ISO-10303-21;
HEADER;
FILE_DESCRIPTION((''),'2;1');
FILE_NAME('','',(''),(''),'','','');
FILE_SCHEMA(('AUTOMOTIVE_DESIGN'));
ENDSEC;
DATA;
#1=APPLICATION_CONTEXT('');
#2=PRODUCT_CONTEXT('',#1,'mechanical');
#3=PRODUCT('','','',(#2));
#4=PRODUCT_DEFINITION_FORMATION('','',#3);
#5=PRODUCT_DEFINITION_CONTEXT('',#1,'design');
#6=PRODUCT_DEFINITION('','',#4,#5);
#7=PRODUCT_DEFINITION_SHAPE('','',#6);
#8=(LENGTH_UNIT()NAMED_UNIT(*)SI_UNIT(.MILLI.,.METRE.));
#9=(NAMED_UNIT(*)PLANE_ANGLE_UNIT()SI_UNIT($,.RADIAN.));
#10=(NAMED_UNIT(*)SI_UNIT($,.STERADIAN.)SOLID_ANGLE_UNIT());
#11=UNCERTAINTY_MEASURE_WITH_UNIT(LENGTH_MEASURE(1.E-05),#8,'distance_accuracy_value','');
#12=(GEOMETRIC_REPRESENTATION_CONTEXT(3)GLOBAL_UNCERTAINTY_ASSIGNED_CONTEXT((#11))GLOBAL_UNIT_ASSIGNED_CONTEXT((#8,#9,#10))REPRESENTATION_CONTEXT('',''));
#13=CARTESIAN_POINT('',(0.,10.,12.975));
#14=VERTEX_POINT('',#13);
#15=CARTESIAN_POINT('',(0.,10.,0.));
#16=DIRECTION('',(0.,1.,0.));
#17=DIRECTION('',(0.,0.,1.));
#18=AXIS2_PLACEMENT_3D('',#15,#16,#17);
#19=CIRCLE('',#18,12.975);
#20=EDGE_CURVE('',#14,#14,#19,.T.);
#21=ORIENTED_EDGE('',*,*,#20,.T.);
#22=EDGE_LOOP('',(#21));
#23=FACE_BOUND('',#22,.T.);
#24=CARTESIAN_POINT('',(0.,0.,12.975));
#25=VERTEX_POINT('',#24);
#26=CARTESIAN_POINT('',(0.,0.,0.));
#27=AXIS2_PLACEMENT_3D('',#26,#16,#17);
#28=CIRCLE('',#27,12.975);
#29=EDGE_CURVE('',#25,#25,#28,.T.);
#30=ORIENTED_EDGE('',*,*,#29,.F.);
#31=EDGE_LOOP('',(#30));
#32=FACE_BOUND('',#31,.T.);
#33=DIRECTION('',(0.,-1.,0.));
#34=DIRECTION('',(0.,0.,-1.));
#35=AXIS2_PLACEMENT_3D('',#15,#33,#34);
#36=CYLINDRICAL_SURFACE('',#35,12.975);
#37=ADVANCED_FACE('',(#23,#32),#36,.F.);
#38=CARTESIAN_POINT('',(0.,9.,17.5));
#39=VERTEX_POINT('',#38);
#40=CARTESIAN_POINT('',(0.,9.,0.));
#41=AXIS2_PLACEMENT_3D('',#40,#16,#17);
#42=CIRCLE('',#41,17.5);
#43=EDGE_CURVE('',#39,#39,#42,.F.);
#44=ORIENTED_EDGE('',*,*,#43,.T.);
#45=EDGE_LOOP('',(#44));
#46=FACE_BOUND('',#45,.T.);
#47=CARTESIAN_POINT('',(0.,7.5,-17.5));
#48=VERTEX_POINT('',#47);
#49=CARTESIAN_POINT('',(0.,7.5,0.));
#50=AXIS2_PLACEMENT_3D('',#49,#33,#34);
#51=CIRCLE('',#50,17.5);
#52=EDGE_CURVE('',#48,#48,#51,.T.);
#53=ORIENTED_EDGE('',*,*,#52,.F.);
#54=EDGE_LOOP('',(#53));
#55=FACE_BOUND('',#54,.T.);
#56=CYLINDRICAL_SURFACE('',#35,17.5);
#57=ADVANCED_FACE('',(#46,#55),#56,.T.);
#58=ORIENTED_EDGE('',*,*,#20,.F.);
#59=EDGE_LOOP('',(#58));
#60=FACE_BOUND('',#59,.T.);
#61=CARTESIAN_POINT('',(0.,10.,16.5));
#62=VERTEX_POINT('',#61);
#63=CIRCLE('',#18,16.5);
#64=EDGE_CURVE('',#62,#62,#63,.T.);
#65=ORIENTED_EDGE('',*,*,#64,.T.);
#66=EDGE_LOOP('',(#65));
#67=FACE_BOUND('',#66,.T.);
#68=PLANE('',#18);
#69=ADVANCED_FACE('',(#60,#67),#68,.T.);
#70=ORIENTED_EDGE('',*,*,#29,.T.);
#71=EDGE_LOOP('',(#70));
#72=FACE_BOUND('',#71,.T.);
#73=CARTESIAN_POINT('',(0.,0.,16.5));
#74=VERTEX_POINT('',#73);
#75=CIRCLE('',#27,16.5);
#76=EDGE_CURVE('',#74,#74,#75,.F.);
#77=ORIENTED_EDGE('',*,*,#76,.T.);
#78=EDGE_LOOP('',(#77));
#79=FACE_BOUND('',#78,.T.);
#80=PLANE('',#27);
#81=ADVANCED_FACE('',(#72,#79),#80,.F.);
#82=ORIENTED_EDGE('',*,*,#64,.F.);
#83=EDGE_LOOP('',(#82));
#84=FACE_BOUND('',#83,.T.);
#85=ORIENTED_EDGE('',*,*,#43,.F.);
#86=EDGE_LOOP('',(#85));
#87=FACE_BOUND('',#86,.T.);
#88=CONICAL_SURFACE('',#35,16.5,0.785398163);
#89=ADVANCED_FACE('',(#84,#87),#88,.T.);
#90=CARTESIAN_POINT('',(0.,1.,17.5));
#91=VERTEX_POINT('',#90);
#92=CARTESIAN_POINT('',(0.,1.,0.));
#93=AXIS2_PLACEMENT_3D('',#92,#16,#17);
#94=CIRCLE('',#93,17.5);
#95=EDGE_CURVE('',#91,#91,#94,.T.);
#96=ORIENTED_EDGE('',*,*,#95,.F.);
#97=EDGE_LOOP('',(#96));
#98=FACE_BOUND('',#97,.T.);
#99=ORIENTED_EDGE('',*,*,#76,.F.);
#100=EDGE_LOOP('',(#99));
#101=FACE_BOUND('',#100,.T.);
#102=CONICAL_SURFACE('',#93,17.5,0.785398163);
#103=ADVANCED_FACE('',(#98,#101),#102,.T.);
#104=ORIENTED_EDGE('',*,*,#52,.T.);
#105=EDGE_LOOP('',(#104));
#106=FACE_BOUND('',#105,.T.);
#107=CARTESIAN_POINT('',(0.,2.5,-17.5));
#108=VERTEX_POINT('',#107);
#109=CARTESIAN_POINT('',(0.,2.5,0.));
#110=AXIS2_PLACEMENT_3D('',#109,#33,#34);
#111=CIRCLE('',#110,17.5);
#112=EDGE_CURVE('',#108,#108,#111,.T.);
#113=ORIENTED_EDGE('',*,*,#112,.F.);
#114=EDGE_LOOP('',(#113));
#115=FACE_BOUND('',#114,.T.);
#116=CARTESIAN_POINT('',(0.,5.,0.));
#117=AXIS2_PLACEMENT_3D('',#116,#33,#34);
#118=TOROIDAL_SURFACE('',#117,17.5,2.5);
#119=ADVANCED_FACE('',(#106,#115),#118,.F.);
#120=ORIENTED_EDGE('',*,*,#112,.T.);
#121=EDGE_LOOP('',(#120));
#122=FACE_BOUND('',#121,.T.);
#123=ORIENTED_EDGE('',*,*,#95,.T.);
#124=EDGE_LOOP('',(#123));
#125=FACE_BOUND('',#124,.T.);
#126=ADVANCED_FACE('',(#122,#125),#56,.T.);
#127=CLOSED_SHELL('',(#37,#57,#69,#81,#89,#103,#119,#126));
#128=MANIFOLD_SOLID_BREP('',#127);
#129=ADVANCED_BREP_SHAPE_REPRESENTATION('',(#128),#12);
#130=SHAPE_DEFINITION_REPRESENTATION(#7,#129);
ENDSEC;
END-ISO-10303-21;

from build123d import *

# Parameters (mm, degrees)
SKETCH1_R                 = 17.5
SKETCH1_R_2               = 12.975
CORPO_EXTERNO_35_10_DEPTH = 10
CHANFROS_1_45_SIZE        = 1


with BuildPart() as part:
    # Sketch1 → Corpo Externo Ø35×10 (new body)
    with BuildSketch(Plane(origin=(0, 0, 0), x_dir=(1, 0, 0), z_dir=(0, 1, 0))):
        with Locations(Location((0, 0, 0), (0, 0, 270))):
            Circle(SKETCH1_R)
        with Locations(Location((0, 0, 0), (0, 0, 270))):
            Circle(SKETCH1_R_2, mode=Mode.SUBTRACT)
    extrude(amount=CORPO_EXTERNO_35_10_DEPTH)

    # Chanfros 1×45°
    chanfros_1_45_edges = [part.edges().sort_by_distance(p)[0] for p in [
        (0, 10, -17.5),
        (0, 0, -17.5),
    ]]
    chamfer(chanfros_1_45_edges, length=CHANFROS_1_45_SIZE)

    # Sketch2 → Canal (revolve, cut)
    with BuildSketch(Plane.XY, mode=Mode.PRIVATE) as canal_sk:
        with BuildLine():
            ThreePointArc((-17.5, 7.5), (-15, 5), (-17.5, 2.5))
            Line((-17.5, 2.5), (-17.5, 7.5))
        make_face()
    revolve(canal_sk.sketch.rotate(Axis((0, 0, 0), (0, 1, 0)), 270), axis=Axis((0, 0, 0), (0, 1, 0)), mode=Mode.SUBTRACT)


solid = part.part
